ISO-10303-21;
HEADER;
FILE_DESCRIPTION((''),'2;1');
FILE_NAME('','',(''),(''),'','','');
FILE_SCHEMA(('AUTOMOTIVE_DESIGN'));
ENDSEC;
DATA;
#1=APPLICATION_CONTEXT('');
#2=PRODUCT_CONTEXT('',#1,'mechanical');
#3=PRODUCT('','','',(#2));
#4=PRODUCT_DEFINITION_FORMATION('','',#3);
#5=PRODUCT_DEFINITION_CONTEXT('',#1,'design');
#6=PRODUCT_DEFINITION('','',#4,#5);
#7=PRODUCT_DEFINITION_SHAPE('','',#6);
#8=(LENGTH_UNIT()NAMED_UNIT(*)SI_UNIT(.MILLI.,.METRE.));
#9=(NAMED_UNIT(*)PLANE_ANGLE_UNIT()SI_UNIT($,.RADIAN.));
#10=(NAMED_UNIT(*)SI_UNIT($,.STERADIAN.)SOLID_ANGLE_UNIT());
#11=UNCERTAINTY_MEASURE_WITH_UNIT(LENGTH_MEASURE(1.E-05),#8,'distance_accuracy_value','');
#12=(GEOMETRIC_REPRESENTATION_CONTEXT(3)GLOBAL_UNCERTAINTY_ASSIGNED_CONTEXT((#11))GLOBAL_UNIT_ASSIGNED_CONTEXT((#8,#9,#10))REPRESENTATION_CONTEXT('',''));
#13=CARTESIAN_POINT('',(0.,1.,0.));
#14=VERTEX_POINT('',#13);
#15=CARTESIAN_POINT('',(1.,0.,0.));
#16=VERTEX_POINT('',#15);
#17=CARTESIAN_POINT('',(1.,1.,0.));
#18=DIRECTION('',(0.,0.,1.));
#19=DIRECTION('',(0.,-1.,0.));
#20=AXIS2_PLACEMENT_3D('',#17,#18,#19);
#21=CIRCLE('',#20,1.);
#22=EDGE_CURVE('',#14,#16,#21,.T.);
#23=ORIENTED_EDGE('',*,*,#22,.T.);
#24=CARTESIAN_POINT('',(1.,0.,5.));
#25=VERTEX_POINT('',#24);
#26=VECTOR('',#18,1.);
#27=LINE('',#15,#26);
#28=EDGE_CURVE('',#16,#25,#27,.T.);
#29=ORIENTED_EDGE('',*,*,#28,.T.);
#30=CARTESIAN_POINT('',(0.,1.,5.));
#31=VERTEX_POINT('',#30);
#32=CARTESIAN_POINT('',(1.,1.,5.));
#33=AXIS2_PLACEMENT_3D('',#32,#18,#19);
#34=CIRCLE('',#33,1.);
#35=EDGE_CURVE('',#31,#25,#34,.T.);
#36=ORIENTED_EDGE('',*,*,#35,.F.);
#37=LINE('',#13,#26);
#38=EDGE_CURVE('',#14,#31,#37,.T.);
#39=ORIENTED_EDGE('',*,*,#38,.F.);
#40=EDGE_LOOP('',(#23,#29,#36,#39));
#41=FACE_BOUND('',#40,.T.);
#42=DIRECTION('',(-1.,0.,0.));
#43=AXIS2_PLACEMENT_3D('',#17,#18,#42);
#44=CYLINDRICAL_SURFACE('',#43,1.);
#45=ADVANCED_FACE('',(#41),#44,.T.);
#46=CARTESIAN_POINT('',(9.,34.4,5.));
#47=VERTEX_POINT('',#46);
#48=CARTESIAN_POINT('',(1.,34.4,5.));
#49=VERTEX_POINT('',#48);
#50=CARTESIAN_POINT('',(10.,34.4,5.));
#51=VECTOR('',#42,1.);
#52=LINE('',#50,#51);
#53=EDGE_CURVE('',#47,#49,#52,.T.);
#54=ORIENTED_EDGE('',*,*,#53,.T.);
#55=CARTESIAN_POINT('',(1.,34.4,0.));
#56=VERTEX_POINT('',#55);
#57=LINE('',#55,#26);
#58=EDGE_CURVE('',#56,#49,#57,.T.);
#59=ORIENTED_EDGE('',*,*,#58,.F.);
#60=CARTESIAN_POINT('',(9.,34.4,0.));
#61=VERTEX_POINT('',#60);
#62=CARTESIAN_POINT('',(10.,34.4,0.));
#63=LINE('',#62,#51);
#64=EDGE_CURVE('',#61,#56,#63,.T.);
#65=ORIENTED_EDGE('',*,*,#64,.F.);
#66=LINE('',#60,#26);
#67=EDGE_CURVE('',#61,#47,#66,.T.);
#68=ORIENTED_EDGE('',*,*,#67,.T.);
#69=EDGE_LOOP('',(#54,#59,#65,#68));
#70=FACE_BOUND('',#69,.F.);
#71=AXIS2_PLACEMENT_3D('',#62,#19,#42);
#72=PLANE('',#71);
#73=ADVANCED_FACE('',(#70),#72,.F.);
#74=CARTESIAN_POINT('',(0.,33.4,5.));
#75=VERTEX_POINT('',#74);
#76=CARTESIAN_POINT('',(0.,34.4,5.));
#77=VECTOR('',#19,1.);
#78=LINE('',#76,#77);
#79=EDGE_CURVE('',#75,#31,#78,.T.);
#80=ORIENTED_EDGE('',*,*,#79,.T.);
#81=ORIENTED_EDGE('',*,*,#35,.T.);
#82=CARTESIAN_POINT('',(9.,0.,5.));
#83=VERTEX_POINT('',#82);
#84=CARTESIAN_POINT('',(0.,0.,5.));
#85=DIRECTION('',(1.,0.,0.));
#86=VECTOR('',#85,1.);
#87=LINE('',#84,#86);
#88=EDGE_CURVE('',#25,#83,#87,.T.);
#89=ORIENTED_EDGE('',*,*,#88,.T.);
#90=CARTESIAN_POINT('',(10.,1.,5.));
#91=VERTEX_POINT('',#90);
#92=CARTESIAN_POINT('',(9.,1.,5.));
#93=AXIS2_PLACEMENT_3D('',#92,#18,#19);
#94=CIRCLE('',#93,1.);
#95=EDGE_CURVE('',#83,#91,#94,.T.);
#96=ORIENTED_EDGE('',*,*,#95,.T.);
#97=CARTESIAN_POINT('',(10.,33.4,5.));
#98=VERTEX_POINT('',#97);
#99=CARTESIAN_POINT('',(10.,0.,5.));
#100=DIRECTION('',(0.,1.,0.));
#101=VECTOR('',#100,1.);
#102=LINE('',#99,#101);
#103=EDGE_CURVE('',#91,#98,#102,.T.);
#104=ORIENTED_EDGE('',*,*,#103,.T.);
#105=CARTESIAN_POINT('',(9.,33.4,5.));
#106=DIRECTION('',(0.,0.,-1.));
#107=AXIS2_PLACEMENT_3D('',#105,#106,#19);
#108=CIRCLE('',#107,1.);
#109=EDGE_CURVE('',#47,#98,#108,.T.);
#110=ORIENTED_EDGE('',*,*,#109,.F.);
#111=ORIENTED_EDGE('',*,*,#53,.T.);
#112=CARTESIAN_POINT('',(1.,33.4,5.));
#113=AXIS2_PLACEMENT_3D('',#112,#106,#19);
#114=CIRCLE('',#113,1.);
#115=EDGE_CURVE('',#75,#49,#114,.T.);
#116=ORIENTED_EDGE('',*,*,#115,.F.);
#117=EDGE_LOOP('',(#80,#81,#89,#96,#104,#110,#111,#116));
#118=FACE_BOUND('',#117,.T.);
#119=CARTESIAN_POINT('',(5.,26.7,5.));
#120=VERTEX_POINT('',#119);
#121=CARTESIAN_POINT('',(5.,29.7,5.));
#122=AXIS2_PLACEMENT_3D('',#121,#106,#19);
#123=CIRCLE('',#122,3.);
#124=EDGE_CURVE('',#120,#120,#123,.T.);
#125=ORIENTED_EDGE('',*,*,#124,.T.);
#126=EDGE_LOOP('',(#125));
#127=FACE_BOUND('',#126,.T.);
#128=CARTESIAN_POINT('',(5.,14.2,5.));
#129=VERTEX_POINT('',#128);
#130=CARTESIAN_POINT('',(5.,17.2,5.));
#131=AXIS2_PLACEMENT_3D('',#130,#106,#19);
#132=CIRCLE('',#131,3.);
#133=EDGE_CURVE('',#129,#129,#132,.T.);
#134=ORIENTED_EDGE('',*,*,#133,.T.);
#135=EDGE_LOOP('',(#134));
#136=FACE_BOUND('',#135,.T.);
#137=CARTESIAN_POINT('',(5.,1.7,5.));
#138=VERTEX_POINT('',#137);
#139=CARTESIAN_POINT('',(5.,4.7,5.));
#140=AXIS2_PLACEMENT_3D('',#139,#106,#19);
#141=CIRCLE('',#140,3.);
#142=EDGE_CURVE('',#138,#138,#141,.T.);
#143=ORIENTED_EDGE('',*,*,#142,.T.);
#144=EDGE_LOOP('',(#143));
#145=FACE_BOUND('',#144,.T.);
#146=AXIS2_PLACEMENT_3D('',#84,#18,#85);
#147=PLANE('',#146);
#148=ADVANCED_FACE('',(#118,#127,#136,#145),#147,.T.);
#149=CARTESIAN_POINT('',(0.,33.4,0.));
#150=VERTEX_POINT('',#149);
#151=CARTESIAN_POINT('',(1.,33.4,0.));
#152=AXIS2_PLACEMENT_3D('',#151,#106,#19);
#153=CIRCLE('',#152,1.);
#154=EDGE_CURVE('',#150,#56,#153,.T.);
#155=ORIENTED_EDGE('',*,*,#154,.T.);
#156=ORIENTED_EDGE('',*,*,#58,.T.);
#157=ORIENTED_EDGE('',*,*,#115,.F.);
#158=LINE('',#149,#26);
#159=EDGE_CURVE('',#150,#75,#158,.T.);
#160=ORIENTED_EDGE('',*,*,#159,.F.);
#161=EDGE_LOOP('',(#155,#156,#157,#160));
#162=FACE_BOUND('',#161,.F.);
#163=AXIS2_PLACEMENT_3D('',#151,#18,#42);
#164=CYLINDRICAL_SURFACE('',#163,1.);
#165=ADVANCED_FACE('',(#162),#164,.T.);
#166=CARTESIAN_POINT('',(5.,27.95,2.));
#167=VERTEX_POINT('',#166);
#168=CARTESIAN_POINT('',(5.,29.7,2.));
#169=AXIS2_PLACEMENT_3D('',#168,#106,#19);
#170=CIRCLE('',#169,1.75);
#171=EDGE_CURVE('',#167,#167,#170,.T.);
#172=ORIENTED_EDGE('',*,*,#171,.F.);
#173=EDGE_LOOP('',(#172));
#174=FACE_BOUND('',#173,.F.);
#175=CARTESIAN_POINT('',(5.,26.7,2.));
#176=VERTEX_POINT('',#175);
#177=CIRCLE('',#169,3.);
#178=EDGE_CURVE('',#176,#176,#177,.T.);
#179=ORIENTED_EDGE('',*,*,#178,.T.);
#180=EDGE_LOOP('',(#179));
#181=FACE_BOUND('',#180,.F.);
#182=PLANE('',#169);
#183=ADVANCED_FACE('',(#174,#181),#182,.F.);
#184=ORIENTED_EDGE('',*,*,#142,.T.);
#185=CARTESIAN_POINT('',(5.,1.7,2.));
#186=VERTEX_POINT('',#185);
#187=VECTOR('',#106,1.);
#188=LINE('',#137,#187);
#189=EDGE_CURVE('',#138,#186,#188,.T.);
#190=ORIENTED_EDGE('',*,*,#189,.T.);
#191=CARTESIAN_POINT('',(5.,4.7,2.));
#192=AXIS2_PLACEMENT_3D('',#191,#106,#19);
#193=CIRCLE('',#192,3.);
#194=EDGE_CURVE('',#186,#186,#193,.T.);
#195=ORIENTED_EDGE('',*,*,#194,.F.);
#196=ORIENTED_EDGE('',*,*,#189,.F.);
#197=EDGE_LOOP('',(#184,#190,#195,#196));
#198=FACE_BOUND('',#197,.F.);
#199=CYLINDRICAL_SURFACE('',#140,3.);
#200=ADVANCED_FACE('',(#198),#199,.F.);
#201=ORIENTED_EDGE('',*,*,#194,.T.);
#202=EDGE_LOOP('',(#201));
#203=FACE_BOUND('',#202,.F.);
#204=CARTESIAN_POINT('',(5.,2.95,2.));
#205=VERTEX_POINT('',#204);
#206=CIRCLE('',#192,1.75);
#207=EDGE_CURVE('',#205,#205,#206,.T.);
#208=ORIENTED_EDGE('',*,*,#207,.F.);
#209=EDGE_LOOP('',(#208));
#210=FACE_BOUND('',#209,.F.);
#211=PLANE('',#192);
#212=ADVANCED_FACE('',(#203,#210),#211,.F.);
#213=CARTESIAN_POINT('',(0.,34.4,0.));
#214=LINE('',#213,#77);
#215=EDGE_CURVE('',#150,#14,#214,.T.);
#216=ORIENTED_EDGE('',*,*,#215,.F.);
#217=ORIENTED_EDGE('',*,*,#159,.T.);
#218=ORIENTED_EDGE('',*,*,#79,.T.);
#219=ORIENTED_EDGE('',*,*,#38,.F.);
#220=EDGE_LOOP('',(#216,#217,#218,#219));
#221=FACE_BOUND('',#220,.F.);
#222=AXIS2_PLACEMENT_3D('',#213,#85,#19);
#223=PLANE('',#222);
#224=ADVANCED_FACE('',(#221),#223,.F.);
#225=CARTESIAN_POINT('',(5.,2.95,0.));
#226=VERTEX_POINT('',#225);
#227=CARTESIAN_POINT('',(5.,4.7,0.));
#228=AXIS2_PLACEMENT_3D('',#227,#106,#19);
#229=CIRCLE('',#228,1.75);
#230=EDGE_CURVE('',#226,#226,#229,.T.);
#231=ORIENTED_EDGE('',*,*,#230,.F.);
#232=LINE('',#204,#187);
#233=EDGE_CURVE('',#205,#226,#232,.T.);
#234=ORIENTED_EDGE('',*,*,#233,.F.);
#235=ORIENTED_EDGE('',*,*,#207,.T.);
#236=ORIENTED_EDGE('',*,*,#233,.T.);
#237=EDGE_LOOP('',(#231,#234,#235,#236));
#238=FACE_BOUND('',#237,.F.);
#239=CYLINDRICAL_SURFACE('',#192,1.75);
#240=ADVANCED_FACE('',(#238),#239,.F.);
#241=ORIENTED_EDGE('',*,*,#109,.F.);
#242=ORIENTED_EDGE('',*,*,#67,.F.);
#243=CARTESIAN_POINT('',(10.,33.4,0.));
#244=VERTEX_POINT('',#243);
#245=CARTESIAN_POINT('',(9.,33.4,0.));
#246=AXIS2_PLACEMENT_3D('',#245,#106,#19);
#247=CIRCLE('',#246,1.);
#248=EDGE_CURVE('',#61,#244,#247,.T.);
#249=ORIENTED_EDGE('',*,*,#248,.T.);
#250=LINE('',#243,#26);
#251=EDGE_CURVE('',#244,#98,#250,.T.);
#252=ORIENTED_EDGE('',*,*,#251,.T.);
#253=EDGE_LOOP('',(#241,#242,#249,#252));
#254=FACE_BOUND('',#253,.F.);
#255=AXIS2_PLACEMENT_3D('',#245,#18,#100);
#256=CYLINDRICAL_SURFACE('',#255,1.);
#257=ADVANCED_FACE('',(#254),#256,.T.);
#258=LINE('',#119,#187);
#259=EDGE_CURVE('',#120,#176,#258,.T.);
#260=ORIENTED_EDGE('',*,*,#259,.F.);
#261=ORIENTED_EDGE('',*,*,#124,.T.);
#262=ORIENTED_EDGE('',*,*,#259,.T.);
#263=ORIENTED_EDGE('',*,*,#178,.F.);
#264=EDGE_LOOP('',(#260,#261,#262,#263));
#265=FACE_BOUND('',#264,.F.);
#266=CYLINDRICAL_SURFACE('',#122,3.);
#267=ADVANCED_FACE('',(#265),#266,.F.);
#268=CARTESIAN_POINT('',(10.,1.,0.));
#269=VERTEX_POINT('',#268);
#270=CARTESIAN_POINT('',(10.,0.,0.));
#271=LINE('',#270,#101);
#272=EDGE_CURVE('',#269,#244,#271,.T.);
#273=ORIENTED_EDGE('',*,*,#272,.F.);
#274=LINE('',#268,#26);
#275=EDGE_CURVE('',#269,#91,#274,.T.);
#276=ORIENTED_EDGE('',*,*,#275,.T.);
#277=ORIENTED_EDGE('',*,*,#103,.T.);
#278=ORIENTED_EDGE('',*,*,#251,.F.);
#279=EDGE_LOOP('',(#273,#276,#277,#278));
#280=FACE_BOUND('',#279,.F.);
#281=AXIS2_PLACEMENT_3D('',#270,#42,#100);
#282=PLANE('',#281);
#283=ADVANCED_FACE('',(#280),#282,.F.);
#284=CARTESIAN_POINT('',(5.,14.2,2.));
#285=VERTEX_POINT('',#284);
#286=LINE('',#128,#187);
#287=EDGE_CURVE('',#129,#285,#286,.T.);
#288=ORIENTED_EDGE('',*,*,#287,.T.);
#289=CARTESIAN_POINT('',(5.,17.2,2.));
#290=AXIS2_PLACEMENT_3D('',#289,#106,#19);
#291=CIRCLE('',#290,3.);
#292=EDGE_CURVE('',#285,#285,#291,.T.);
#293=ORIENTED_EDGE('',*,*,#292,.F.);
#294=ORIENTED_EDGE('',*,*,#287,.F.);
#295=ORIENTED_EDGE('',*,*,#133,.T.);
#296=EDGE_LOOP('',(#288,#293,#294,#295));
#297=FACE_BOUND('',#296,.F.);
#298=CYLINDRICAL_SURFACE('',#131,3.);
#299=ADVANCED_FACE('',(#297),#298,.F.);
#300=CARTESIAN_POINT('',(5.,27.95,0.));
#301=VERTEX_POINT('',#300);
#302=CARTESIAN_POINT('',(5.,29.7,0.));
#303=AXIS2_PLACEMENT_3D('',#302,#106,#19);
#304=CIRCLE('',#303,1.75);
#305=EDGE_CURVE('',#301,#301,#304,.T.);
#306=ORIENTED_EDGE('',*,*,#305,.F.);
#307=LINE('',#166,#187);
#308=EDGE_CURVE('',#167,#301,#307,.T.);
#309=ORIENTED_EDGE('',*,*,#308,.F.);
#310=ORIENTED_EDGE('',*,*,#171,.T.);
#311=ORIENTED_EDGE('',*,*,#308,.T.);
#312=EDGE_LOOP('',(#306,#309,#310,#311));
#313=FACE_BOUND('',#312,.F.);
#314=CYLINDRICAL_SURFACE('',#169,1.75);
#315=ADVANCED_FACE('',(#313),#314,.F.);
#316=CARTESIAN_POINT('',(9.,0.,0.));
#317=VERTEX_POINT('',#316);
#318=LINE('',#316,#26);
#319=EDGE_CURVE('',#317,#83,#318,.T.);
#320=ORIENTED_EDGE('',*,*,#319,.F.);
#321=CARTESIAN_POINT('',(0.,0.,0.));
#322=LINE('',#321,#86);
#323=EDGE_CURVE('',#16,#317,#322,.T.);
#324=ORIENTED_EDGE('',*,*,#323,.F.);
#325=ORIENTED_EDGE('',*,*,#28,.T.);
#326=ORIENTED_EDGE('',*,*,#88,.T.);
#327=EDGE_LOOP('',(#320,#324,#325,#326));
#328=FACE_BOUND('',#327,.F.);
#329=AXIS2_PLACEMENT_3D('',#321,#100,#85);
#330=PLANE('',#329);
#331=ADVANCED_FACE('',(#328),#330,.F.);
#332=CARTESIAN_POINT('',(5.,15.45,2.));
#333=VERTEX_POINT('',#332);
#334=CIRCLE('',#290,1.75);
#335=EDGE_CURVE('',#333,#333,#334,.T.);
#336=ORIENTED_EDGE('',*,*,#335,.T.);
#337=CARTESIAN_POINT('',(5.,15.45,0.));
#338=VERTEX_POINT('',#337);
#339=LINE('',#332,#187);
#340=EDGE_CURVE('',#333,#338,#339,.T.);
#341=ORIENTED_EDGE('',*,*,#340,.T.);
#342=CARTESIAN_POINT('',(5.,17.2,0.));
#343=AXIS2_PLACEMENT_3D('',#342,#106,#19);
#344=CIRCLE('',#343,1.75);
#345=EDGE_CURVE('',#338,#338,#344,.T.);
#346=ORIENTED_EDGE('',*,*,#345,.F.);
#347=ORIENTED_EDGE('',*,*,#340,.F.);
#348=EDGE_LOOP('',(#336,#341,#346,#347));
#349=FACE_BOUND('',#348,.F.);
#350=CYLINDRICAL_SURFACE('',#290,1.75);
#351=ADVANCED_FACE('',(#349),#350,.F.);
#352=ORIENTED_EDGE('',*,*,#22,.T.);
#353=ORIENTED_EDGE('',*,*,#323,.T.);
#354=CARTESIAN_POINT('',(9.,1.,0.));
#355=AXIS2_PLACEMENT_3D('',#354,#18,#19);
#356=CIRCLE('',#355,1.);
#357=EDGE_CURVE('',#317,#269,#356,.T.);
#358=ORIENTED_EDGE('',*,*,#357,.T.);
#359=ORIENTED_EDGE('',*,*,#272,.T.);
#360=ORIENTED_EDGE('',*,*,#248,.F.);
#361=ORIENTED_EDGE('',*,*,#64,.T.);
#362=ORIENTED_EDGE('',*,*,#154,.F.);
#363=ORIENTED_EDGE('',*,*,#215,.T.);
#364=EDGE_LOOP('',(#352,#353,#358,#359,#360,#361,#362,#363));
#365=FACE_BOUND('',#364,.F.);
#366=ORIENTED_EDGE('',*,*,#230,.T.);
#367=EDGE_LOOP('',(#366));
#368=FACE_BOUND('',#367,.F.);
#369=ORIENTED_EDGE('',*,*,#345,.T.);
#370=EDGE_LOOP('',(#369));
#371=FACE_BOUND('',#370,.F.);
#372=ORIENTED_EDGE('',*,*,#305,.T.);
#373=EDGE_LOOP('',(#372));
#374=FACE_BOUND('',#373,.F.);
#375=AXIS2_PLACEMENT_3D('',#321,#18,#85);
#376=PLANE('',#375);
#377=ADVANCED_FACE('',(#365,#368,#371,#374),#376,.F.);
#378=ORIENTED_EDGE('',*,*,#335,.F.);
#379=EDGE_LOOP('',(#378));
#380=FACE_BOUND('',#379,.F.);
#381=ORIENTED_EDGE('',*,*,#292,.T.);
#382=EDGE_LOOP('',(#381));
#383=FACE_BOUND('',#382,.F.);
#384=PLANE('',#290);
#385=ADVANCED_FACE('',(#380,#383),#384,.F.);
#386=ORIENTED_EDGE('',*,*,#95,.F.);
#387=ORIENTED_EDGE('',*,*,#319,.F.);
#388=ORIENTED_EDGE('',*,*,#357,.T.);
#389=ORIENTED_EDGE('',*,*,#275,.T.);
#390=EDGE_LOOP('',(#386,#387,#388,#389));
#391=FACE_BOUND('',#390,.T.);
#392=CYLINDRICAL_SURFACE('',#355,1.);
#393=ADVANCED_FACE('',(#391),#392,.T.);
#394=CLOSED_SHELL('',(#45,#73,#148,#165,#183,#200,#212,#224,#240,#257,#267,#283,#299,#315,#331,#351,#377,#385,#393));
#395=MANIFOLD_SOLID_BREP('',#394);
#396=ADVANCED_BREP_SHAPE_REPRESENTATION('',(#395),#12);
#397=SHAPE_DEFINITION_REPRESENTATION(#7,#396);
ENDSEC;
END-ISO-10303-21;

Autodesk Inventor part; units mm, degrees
ref_plane "YZ Plane" through (0, 0, 0) normal (1, 0, 0) x (0, 1, 0)
ref_plane "XZ Plane" through (0, 0, 0) normal (0, 1, 0) x (-1, 0, 0)
ref_plane "XY Plane" through (0, 0, 0) normal (0, 0, 1) x (1, 0, 0)
sketch "Sketch1" plane through (0, 0, 0) normal (0, 0, 1) x (1, 0, 0)
  line L0 (0, 0) -> (10, 0)
  line L1 (10, 0) -> (10, 34.4)
  line L2 (10, 34.4) -> (0, 34.4)
  line L3 (0, 34.4) -> (0, 0)
  dimension "d0" = 34.4
  dimension "d1" = 10
extrude "Extrusion1" add sketch "Sketch1" along normal blind 5
sketch "Sketch2" plane through (0, 0, 5) normal (0, 0, 1) x (1, 0, 0)
  line L0 (10, 34.4) -> (0, 34.4) projected
  line L1 (10, 0) -> (10, 34.4) projected
  line L2 (0, 34.4) -> (0, 0) projected
  line L3 (0, 0) -> (10, 0) projected
  line L4 (5, 34.4) -> (5, 0) construction
  line L5 (0, 17.2) -> (10, 17.2) construction
  point P0 (5, 29.7)
  point P1 (5, 4.7)
  point P2 (5, 17.2)
  dimension "d4" = 12.5
  dimension "d5" = 12.5
hole "Hole1" at (5, 29.7, 5) at (5, 4.7, 5) at (5, 17.2, 5) direction (0, 0, -1) diameter 3.5 end through all counterbore diameter 6 counterbore depth 3
fillet "Fillet1" radius 1 4 edges at (0, 34.4, 2.5) (10, 34.4, 2.5) (10, 0, 2.5) (0, 0, 2.5)
equation "\"d5\" = d4"
properties part number "Belt Clamp" material "PC/ABS Plastic"
